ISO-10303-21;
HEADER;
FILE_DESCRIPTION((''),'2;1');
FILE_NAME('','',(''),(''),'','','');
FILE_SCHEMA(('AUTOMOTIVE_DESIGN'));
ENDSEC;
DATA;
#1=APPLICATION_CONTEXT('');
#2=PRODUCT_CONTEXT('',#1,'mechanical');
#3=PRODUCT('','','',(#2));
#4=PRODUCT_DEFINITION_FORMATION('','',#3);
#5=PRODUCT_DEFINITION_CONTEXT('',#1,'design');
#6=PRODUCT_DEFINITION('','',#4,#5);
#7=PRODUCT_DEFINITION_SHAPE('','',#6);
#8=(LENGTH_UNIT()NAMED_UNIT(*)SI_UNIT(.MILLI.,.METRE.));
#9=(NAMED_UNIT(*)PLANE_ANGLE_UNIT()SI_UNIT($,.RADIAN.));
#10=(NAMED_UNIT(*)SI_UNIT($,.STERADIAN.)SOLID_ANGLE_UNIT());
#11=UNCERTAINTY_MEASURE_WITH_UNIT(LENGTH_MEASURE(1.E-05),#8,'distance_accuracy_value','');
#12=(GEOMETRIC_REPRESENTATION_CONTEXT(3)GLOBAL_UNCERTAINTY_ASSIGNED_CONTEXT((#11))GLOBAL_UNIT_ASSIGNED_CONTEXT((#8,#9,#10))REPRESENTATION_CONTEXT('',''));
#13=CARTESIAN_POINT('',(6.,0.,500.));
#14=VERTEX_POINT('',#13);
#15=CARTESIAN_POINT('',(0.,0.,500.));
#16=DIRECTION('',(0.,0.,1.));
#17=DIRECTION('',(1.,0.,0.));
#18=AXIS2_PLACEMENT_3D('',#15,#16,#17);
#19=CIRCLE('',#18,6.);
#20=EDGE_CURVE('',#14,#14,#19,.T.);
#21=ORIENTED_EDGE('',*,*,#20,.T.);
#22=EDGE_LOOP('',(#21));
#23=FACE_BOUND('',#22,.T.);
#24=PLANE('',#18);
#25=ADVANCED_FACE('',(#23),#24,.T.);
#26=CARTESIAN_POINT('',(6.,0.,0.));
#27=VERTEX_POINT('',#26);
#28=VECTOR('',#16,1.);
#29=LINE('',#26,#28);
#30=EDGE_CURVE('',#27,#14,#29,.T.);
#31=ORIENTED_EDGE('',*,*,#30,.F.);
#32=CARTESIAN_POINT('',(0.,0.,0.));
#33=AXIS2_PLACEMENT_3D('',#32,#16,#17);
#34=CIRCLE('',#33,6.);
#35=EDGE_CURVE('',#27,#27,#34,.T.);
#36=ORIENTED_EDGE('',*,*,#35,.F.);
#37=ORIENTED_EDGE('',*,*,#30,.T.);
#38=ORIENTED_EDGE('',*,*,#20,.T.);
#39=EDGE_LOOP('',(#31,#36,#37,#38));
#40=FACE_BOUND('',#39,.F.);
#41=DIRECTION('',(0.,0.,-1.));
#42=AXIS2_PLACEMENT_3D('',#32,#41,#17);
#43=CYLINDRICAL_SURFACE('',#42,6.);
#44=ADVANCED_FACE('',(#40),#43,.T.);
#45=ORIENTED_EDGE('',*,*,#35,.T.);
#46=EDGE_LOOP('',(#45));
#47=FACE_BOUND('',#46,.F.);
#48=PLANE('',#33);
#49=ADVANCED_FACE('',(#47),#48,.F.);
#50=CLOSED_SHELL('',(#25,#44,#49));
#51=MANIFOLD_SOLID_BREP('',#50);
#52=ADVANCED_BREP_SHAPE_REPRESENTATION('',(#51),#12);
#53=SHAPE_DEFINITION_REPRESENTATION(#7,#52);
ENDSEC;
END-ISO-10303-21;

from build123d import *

# Parameters (mm, degrees)
SKETCH1_R           = 6
BOSS_EXTRUDE1_DEPTH = 500


with BuildPart() as part:
    # Sketch1 → Boss-Extrude1 (new body)
    with BuildSketch(Plane.XY):
        Circle(SKETCH1_R)
    extrude(amount=BOSS_EXTRUDE1_DEPTH)


solid = part.part
